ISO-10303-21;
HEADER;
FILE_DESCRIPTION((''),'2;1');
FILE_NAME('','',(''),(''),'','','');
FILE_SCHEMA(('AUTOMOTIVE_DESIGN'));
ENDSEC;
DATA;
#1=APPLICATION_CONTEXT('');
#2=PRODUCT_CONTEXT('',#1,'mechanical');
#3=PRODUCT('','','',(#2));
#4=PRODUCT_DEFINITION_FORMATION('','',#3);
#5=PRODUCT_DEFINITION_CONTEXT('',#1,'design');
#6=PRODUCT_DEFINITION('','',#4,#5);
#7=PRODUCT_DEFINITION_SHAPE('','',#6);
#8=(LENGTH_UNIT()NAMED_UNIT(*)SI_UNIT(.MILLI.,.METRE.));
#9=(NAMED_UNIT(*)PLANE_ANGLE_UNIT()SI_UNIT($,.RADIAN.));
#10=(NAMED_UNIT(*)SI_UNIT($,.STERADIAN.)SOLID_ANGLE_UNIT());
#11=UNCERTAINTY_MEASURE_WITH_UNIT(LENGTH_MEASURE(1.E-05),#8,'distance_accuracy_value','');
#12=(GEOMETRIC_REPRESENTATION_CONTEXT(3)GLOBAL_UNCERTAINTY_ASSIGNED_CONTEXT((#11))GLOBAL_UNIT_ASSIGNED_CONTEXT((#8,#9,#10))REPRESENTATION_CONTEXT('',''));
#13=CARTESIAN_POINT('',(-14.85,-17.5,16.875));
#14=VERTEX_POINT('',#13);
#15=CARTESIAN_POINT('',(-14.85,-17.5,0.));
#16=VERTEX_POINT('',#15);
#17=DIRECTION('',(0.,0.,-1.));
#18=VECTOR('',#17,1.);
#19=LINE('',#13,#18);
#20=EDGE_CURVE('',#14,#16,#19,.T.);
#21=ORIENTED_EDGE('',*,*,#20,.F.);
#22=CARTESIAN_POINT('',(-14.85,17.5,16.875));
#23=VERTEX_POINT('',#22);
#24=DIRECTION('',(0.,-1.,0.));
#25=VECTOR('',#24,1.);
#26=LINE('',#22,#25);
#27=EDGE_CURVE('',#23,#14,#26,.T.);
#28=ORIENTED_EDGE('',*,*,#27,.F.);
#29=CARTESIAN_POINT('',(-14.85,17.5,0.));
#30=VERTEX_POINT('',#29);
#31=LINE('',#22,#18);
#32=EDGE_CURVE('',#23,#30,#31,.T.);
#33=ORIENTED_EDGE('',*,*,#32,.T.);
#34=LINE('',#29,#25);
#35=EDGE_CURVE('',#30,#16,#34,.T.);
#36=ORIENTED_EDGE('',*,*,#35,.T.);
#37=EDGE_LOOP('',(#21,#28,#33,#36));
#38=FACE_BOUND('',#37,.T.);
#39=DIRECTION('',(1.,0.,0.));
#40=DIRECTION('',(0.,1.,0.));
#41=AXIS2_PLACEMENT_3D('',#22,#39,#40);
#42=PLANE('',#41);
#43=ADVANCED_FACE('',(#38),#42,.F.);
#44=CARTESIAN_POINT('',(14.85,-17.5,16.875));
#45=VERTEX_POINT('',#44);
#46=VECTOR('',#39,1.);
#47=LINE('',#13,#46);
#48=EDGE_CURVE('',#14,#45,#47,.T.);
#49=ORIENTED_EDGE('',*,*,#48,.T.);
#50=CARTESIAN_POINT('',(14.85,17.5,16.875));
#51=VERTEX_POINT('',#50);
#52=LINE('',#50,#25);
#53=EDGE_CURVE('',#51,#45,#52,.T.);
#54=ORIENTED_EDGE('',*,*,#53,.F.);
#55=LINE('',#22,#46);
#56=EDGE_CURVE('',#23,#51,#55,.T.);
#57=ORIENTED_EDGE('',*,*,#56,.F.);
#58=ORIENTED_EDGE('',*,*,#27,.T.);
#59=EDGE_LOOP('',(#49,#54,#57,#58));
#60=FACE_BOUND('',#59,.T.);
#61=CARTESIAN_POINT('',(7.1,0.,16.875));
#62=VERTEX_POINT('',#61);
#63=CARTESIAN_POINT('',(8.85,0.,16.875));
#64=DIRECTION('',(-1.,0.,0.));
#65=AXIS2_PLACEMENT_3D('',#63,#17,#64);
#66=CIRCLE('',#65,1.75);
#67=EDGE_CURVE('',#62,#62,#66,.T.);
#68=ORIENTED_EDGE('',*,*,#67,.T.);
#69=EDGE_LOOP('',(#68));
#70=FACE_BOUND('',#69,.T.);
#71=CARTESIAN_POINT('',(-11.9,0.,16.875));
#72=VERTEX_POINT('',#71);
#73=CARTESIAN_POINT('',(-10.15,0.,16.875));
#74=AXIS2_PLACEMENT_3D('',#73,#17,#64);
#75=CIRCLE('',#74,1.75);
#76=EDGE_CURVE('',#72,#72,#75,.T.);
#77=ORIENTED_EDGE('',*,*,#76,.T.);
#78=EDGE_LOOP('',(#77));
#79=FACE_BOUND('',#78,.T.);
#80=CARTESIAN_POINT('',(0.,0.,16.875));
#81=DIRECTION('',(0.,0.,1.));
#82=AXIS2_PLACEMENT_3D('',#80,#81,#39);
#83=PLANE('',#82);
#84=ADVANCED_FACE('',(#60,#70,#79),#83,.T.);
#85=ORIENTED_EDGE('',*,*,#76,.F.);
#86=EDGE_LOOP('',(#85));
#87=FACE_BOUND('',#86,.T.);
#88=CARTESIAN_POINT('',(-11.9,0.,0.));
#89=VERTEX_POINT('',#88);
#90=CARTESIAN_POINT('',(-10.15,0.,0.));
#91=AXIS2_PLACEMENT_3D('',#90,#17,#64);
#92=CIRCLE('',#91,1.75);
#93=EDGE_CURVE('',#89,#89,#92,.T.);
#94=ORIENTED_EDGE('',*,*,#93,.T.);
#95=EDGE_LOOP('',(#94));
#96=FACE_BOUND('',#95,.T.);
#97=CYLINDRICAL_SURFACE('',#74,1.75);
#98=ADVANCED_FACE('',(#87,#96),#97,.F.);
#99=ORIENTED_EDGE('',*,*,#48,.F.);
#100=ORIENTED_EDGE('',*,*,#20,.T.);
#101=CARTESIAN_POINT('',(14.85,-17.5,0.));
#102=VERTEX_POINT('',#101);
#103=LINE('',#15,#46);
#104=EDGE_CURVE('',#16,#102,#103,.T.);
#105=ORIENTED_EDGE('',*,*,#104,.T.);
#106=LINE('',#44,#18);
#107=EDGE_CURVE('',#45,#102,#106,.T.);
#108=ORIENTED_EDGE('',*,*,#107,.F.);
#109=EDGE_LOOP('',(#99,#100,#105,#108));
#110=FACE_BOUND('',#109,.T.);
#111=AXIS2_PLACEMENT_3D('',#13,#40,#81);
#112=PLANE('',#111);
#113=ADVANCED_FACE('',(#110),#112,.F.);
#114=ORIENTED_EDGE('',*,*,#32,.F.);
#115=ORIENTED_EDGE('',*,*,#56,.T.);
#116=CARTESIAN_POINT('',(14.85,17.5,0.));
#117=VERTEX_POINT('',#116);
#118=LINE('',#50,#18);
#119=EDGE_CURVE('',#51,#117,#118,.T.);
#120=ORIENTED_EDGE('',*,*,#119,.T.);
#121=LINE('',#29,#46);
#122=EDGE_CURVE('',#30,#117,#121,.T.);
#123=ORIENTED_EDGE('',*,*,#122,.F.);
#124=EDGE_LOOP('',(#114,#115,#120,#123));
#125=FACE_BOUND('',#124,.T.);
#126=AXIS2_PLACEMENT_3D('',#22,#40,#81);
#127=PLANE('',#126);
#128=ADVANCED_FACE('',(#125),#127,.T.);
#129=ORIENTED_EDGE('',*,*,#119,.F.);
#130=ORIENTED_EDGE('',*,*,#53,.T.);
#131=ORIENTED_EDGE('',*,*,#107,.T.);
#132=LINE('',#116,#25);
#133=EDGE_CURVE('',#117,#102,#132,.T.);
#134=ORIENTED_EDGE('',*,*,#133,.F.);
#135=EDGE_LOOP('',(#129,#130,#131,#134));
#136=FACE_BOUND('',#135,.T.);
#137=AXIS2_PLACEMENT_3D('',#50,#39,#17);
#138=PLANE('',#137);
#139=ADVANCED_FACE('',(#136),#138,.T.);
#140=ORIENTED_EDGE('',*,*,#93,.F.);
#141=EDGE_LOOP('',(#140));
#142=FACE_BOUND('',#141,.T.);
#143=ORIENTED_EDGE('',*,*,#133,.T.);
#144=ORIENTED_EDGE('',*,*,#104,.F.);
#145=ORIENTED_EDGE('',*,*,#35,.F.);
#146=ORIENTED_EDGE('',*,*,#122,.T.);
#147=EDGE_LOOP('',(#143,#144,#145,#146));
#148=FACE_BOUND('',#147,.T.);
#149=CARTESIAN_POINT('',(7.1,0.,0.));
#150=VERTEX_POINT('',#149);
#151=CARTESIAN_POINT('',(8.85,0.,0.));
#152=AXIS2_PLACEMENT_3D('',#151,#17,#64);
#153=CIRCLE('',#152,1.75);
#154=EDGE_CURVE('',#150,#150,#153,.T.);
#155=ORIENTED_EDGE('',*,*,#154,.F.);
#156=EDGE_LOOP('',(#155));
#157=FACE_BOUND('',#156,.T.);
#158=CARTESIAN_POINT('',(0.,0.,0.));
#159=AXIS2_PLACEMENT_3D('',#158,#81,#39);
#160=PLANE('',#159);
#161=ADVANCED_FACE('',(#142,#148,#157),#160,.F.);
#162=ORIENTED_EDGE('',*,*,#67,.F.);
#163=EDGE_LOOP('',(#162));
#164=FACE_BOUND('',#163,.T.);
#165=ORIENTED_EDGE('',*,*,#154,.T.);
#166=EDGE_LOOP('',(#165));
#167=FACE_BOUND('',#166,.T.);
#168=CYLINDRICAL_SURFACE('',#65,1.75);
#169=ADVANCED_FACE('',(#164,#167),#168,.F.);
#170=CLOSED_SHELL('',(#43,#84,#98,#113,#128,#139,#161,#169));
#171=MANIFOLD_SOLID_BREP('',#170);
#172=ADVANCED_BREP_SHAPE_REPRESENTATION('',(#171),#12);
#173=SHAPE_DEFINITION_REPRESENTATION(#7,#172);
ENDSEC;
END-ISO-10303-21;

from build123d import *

# Parameters (mm, degrees)
SKETCH_1_W          = 29.7
SKETCH_1_H          = 35
EXTRUDE_1_DEPTH     = 16.875
SKETCH_2_R          = 1.75
CUT_EXTRUDE_1_DEPTH = 16.875


with BuildPart() as part:
    # 草圖1 → 填料-伸長1 (new body)
    with BuildSketch(Plane.XY):
        Rectangle(SKETCH_1_W, SKETCH_1_H)
    extrude(amount=EXTRUDE_1_DEPTH)

    # 草圖2 → 除料-伸長1 (cut)
    with BuildSketch(Plane(origin=(0, 0, 0), x_dir=(-1, 0, 0), z_dir=(0, 0, -1))):
        with Locations((-8.85, 0)):
            Circle(SKETCH_2_R)
        with Locations((10.15, 0)):
            Circle(SKETCH_2_R)
    extrude(amount=-CUT_EXTRUDE_1_DEPTH, mode=Mode.SUBTRACT)


solid = part.part
